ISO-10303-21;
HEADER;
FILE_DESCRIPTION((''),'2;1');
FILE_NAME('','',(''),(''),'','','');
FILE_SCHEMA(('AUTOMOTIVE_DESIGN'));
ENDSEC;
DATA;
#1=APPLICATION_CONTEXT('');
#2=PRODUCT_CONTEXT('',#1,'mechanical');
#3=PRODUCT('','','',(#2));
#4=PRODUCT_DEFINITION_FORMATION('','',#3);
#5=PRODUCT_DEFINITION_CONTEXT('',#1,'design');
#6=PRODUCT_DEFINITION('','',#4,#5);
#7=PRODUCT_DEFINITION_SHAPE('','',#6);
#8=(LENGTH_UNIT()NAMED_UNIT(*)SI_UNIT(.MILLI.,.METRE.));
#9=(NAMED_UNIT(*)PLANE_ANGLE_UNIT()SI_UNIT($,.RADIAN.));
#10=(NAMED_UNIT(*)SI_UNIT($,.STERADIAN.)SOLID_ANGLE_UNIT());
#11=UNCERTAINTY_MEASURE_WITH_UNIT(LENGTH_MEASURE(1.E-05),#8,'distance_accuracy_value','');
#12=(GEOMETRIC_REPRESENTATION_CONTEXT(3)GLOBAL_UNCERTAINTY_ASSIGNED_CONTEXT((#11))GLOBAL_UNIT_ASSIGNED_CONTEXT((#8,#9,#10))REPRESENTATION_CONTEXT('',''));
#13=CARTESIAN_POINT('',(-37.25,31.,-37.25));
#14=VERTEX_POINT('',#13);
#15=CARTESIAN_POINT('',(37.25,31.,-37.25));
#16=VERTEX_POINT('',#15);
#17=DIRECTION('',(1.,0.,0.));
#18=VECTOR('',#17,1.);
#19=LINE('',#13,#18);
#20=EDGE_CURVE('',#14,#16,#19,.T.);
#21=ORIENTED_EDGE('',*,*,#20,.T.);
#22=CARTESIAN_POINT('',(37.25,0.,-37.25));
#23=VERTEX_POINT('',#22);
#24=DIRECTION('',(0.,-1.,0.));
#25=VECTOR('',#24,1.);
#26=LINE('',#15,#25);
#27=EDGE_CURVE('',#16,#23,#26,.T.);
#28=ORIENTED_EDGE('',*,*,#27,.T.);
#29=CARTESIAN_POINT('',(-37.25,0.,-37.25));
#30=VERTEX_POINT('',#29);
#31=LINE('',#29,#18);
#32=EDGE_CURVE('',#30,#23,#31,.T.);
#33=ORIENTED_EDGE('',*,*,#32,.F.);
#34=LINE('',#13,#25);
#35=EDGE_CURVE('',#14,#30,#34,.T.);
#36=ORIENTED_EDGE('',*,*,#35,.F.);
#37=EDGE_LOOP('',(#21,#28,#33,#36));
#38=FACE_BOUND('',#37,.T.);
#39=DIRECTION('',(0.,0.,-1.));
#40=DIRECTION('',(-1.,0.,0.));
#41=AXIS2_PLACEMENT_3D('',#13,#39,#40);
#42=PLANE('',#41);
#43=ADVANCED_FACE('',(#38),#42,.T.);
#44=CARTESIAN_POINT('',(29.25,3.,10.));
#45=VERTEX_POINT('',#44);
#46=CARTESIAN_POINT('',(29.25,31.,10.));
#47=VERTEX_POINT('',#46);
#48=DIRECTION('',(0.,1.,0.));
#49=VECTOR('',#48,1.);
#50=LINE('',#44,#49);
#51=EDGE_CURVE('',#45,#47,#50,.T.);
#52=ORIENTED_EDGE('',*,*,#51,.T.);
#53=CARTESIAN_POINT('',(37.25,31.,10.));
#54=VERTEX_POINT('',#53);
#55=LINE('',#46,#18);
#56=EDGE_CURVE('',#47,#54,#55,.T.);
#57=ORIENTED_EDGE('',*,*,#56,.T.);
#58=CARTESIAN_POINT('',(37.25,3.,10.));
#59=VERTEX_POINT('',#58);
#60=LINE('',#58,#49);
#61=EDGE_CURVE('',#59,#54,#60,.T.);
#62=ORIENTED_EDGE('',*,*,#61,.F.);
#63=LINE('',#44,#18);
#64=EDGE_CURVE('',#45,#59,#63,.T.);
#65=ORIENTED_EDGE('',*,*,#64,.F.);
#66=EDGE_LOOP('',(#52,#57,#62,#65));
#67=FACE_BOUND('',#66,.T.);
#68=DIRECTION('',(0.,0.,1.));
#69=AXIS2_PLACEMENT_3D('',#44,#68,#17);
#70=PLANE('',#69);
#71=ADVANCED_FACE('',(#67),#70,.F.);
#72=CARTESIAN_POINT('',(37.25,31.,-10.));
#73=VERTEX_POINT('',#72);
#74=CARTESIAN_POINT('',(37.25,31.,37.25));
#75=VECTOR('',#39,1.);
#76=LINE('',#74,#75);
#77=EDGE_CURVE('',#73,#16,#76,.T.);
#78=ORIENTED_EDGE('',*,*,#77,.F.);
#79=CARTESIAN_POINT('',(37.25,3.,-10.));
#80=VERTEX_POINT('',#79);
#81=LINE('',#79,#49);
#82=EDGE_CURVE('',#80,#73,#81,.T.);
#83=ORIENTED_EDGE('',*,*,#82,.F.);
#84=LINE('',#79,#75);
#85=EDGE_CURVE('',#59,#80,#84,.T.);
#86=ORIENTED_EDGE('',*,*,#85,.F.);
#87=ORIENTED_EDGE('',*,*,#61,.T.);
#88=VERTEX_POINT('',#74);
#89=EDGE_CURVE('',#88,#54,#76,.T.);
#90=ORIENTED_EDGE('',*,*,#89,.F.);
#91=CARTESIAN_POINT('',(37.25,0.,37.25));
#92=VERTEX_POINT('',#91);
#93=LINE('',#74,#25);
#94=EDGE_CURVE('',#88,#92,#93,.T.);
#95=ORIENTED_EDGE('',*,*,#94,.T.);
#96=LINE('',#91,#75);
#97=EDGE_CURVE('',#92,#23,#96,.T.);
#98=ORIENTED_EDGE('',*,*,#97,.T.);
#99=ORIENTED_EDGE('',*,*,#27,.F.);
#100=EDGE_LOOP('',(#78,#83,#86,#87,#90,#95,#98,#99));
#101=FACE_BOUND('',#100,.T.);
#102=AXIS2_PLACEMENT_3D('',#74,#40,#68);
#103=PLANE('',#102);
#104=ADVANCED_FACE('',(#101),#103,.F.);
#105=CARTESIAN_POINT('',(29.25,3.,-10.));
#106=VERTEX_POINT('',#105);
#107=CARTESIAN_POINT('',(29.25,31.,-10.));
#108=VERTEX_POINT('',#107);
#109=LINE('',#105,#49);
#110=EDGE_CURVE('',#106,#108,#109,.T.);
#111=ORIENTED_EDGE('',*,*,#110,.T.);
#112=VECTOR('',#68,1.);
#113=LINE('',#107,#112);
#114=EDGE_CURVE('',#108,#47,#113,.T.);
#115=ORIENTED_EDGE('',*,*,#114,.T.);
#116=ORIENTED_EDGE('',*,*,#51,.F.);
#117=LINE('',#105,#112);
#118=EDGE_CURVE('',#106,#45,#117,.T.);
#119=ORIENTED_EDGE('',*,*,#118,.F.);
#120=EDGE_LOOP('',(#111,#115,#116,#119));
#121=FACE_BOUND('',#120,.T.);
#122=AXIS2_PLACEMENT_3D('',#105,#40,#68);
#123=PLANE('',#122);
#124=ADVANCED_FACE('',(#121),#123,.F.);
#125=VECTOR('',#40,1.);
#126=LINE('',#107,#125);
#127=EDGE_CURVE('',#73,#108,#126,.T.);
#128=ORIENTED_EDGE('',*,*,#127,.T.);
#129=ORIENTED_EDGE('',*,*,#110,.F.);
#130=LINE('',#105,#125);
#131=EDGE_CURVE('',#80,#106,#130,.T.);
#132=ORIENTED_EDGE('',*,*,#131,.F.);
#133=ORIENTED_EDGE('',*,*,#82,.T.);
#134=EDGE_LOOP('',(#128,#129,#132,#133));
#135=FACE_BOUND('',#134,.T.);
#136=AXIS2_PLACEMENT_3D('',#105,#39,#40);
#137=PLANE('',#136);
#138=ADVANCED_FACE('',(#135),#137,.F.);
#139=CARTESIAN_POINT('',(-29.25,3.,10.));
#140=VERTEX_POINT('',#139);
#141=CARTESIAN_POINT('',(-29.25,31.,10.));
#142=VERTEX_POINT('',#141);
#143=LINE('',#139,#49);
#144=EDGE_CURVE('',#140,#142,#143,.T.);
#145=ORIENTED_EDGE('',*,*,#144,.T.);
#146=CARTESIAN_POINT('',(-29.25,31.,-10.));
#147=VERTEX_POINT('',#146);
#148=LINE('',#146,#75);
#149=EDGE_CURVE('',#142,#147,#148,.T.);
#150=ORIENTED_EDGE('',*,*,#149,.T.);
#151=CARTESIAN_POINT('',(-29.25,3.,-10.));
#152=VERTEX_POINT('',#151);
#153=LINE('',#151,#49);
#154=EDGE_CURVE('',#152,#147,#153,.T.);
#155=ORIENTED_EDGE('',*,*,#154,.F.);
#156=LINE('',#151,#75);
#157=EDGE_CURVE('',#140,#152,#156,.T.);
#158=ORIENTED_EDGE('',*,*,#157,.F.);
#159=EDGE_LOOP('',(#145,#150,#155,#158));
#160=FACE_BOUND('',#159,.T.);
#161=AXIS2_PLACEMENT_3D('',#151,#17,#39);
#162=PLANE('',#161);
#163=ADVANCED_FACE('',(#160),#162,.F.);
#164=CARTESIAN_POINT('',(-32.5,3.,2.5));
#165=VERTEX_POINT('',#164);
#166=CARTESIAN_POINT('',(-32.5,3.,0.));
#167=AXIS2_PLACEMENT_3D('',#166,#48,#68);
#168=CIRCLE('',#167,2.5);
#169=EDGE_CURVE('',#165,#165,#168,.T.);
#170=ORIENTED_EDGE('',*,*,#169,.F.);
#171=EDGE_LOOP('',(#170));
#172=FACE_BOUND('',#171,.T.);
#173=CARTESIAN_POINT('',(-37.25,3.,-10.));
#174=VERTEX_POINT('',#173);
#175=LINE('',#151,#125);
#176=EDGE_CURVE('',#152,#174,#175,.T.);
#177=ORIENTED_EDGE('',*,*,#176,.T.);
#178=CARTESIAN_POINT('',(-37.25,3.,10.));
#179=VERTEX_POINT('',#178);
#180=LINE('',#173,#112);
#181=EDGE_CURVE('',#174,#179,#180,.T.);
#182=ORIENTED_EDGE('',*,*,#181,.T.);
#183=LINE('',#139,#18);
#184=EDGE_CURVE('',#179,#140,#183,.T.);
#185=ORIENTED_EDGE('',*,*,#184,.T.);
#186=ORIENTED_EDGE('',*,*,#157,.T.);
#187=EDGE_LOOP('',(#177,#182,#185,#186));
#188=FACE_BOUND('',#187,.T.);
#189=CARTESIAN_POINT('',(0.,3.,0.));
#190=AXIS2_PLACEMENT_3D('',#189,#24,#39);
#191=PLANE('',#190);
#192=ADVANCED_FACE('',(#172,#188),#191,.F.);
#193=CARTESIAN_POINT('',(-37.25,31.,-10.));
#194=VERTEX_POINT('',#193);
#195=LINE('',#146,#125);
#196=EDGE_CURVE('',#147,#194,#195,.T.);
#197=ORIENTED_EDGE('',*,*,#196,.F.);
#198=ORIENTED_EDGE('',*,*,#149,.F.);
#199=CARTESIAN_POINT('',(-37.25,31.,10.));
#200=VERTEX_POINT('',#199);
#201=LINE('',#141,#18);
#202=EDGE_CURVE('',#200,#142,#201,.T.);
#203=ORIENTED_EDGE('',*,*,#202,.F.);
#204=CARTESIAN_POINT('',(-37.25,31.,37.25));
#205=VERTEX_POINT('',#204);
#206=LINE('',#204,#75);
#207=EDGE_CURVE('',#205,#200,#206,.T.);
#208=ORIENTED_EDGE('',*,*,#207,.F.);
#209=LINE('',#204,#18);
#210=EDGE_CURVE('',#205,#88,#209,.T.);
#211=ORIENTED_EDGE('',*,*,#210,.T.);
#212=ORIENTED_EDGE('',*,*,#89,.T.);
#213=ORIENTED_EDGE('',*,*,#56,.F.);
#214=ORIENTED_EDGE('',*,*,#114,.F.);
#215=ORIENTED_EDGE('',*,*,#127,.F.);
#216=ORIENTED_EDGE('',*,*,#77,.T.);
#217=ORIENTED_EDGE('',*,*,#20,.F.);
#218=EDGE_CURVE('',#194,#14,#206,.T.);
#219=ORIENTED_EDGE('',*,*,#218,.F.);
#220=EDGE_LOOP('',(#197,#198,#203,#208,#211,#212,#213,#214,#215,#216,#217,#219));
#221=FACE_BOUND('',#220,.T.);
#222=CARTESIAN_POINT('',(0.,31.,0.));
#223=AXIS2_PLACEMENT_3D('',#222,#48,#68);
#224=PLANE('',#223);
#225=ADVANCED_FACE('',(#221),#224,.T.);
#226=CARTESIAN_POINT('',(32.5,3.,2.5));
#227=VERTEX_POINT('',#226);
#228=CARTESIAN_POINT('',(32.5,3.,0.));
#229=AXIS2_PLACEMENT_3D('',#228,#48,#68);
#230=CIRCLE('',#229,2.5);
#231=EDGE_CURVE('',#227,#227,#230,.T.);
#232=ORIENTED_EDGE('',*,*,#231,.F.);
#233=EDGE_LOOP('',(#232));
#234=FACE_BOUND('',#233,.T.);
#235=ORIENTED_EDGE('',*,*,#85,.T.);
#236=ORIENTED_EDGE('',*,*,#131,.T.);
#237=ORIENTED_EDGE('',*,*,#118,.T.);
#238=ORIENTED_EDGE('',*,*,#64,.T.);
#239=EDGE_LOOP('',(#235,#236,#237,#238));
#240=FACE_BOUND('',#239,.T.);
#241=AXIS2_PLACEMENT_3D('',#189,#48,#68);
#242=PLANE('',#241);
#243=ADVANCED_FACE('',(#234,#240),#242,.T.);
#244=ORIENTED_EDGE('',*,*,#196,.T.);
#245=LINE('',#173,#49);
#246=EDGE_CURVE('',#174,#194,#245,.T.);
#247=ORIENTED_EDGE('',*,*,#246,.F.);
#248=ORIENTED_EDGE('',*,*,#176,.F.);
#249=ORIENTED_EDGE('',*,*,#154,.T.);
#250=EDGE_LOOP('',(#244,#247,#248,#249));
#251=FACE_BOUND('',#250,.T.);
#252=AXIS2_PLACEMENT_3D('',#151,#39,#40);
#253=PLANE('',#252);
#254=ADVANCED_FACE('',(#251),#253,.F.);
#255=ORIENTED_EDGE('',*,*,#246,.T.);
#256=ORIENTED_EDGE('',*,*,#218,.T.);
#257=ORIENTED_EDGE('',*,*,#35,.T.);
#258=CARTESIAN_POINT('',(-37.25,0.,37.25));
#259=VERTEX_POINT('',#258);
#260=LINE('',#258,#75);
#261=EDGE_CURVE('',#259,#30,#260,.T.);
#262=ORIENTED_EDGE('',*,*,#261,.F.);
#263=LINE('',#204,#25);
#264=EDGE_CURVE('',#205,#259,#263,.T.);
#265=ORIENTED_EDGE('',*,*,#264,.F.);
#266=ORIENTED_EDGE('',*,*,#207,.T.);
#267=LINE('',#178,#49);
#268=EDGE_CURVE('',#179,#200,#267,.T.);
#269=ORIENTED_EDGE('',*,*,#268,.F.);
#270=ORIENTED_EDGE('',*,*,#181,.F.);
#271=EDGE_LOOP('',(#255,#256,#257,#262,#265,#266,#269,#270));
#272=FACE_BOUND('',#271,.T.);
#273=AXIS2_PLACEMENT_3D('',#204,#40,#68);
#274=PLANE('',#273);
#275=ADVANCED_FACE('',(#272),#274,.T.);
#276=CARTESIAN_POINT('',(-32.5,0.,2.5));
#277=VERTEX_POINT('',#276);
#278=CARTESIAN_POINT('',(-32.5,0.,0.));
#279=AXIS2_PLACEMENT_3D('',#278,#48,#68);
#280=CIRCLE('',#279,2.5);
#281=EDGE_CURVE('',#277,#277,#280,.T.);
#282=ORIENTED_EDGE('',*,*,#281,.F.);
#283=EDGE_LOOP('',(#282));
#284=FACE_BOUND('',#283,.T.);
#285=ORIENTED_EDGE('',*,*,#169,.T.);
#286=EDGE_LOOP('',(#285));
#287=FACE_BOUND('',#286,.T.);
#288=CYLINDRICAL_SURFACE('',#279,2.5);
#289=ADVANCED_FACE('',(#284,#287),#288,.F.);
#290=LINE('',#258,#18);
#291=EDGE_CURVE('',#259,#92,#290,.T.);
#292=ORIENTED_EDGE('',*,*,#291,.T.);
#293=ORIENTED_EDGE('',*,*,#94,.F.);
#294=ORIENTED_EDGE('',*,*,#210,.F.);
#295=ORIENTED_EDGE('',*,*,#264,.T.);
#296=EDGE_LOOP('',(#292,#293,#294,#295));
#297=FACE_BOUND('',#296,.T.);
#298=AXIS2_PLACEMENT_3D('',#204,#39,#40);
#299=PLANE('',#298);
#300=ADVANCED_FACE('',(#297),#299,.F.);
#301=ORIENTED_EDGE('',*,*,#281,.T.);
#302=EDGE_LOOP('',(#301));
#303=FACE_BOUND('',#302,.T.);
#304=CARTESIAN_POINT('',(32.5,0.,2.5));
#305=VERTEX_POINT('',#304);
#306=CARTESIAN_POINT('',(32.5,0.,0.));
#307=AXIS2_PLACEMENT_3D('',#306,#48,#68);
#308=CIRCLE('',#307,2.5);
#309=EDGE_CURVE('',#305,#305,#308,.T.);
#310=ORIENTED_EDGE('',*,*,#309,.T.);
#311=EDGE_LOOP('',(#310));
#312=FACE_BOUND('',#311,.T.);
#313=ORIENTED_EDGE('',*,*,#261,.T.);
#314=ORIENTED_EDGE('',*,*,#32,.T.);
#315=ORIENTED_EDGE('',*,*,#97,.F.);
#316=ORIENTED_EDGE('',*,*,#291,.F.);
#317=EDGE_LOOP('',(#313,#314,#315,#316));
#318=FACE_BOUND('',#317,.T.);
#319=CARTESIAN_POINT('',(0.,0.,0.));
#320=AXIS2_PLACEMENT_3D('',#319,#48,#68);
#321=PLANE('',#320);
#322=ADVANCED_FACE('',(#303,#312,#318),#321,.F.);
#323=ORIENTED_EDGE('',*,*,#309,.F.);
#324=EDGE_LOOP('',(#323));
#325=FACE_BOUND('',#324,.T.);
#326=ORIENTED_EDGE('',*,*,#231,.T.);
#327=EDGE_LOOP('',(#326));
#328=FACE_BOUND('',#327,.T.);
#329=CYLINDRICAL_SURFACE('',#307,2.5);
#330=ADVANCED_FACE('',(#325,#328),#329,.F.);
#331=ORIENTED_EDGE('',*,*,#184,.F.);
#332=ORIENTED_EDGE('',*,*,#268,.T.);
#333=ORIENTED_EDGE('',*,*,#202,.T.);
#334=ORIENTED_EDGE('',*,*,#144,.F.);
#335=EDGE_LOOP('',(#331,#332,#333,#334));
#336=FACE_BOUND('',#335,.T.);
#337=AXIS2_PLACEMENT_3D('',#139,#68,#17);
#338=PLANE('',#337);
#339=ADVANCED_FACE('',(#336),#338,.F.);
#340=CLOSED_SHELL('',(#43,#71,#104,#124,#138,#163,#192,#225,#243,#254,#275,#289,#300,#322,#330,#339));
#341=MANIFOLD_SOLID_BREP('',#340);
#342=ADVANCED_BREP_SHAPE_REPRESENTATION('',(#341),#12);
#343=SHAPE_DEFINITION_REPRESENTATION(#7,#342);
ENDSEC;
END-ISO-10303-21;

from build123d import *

# Parameters (mm, degrees)
SKETCH_1_W          = 74.5
SKETCH_1_H          = 74.5
EXTRUDE_1_DEPTH     = 31
SKETCH_2_W          = 8
SKETCH_2_H          = 20
CUT_EXTRUDE_1_DEPTH = 28
SKETCH_3_R          = 2.5
CUT_EXTRUDE_2_DEPTH = 60.658402593


with BuildPart() as part:
    # 草图1 → 凸台-拉伸1 (new body)
    with BuildSketch(Plane(origin=(0, 0, 0), x_dir=(1, 0, 0), z_dir=(0, 1, 0))):
        Rectangle(SKETCH_1_W, SKETCH_1_H)
    extrude(amount=EXTRUDE_1_DEPTH)

    # 草图2 → 切除-拉伸1 (cut)
    with BuildSketch(Plane(origin=(0, 31, 0), x_dir=(1, 0, 0), z_dir=(0, 1, 0))):
        with Locations((-33.25, 0)):
            Rectangle(SKETCH_2_W, SKETCH_2_H)
        with Locations((33.25, 0)):
            Rectangle(SKETCH_2_W, SKETCH_2_H)
    extrude(amount=-CUT_EXTRUDE_1_DEPTH, mode=Mode.SUBTRACT)

    # 草图3 → 切除-拉伸2 (cut, through all)
    with BuildSketch(Plane(origin=(0, 3, 0), x_dir=(1, 0, 0), z_dir=(0, 1, 0))):
        with Locations(Location((-32.5, 0, 0), (0, 0, 270))):
            Circle(SKETCH_3_R)
        with Locations(Location((32.5, 0, 0), (0, 0, 270))):
            Circle(SKETCH_3_R)
    extrude(amount=-CUT_EXTRUDE_2_DEPTH, mode=Mode.SUBTRACT)


solid = part.part
